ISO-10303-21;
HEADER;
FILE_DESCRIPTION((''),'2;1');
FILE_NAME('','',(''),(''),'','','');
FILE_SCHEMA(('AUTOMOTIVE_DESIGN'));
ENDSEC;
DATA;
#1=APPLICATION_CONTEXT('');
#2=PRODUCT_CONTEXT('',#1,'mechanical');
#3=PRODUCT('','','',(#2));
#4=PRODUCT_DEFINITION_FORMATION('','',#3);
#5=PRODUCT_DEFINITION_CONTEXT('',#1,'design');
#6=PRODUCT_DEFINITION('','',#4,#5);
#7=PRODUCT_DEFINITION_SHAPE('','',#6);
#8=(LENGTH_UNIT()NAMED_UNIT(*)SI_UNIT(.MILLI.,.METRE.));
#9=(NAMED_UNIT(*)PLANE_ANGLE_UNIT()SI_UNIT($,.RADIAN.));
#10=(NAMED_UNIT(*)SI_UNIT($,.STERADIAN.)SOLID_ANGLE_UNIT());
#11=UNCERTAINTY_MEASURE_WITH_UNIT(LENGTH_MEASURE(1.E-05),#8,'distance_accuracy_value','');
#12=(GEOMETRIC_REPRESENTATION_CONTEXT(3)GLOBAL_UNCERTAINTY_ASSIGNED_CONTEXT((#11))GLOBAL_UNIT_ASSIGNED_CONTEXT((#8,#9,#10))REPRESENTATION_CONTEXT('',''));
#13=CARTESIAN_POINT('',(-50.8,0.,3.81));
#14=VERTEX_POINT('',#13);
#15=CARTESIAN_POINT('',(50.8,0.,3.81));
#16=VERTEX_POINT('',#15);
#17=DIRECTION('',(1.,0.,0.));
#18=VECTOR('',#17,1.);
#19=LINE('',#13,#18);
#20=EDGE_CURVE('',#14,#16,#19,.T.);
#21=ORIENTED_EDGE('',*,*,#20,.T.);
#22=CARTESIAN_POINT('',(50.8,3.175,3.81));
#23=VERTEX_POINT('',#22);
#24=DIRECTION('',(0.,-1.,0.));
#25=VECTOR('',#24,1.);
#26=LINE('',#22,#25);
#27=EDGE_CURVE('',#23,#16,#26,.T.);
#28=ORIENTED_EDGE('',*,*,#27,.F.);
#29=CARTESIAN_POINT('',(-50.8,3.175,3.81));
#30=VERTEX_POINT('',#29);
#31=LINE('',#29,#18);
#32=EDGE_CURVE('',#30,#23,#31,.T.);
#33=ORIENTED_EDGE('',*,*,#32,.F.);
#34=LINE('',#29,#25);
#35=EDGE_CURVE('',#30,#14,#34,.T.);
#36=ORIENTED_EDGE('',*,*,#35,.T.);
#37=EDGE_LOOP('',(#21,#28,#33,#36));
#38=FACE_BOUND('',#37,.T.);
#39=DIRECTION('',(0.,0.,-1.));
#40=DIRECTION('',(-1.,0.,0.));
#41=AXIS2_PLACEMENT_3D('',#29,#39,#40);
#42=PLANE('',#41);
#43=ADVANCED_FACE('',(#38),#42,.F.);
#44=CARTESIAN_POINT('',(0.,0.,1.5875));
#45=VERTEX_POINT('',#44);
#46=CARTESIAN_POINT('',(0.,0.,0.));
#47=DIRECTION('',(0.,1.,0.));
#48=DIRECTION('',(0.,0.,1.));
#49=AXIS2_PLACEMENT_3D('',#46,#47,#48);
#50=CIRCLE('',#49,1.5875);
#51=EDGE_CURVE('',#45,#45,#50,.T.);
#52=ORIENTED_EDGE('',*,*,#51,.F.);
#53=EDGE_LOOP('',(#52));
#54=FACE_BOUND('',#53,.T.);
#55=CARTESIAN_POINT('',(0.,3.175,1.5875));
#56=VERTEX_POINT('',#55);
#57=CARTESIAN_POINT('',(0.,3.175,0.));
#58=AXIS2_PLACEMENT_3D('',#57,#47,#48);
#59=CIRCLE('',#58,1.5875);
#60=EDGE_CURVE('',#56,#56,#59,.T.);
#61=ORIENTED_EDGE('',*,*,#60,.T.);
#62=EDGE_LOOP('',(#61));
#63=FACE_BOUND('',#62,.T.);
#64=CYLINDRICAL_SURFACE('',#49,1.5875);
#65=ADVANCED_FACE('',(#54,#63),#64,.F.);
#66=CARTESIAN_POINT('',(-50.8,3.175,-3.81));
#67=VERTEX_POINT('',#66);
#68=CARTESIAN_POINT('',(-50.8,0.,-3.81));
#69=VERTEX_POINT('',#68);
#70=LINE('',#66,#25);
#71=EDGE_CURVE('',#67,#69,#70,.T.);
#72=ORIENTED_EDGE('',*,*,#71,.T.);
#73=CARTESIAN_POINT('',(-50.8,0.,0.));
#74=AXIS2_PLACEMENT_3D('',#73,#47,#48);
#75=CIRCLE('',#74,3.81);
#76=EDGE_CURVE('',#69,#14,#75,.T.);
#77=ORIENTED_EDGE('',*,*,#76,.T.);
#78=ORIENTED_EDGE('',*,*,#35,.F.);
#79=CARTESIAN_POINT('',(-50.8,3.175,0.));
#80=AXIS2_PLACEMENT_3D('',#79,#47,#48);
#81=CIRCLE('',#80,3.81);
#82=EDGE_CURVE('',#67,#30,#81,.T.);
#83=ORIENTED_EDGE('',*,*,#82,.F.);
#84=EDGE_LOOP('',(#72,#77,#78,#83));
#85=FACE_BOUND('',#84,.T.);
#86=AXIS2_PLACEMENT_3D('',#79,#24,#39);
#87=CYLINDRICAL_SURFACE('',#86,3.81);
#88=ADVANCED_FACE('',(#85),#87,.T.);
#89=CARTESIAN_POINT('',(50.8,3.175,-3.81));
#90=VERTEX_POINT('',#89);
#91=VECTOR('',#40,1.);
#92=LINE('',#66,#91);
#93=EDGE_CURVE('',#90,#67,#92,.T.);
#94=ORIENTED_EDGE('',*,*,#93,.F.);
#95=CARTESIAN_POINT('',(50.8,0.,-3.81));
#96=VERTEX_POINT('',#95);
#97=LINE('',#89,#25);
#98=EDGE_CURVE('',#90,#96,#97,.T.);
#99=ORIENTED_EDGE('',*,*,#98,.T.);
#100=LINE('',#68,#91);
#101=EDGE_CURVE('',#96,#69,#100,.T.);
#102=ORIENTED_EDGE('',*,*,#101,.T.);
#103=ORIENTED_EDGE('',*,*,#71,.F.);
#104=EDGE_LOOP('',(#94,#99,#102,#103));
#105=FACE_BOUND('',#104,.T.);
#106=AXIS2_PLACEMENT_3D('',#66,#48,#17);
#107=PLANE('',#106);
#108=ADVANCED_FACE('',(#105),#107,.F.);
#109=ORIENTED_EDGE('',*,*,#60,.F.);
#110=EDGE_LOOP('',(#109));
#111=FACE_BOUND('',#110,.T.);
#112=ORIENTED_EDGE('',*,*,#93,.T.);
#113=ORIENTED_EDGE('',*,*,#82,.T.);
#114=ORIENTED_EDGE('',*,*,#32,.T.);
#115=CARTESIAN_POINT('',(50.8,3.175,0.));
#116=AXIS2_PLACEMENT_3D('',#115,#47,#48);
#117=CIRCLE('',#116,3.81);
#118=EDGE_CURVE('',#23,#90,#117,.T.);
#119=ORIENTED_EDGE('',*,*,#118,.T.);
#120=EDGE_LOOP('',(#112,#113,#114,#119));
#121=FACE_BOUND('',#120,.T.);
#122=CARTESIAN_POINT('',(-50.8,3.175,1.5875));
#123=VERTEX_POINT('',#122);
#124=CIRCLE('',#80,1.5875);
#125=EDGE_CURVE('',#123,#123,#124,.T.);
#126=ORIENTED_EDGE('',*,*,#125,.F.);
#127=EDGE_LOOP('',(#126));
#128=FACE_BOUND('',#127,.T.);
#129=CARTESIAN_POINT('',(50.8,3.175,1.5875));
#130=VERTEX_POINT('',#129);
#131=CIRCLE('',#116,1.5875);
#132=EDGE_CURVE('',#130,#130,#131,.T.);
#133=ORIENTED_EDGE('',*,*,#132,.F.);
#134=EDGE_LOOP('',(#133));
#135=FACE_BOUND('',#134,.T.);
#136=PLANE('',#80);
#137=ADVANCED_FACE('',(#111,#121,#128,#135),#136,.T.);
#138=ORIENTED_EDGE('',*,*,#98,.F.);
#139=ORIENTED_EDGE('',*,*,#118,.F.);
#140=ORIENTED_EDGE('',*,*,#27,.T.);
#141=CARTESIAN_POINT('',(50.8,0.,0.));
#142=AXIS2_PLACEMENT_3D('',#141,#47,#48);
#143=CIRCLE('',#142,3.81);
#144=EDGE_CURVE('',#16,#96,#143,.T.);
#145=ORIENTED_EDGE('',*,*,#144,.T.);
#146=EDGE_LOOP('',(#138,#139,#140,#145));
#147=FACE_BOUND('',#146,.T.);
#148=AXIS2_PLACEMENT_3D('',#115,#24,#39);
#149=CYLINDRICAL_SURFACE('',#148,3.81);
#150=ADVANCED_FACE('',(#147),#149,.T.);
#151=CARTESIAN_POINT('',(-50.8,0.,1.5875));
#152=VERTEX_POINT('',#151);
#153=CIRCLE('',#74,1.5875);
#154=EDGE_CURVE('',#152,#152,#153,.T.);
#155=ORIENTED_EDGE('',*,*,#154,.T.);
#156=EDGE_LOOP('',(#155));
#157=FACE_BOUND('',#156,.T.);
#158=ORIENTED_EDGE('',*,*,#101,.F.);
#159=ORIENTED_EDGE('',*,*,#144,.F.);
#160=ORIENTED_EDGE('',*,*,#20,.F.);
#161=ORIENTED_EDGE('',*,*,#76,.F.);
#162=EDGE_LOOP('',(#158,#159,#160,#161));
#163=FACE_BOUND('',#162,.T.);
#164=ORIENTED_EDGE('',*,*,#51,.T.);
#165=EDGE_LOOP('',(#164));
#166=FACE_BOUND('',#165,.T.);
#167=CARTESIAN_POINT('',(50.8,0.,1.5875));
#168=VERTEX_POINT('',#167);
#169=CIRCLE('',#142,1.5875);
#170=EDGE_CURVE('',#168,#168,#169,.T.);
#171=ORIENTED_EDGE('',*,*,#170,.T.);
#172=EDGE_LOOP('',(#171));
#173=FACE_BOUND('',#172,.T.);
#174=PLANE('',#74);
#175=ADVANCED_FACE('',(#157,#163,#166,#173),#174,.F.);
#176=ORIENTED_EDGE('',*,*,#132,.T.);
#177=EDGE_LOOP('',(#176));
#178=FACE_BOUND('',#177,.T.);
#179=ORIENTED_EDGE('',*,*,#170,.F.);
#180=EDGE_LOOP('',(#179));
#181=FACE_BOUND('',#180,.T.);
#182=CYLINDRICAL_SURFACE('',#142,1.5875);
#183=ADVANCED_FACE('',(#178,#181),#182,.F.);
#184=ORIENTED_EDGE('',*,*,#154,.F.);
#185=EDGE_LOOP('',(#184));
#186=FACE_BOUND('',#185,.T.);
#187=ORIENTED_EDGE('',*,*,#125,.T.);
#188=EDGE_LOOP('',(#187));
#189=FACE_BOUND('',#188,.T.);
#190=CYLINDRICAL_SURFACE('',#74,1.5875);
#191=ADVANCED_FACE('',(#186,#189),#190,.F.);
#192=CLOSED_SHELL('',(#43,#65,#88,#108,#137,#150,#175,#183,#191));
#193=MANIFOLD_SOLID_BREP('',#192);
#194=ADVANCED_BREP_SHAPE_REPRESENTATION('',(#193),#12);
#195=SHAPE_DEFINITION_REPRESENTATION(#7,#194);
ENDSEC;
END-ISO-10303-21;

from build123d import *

# Parameters (mm, degrees)
BOSS_EXTRUDE1_DEPTH = 3.175
SKETCH4_R           = 1.5875
CUT_EXTRUDE1_DEPTH  = 55.834741041


with BuildPart() as part:
    # Sketch3 → Boss-Extrude1 (new body)
    with BuildSketch(Plane(origin=(0, 0, 0), x_dir=(1, 0, 0), z_dir=(0, 1, 0))):
        with BuildLine():
            Line((-50.8, 3.81), (50.8, 3.81))
            ThreePointArc((50.8, 3.81), (54.61, 0), (50.8, -3.81))
            Line((50.8, -3.81), (-50.8, -3.81))
            ThreePointArc((-50.8, -3.81), (-54.61, 0), (-50.8, 3.81))
        make_face()
    extrude(amount=BOSS_EXTRUDE1_DEPTH)

    # Sketch4 → Cut-Extrude1 (cut, through all)
    with BuildSketch(Plane(origin=(0, 3.175, 0), x_dir=(1, 0, 0), z_dir=(0, 1, 0))):
        with Locations(Location((-50.8, 0, 0), (0, 0, 270))):
            Circle(SKETCH4_R)
        with Locations(Location((0, 0, 0), (0, 0, 270))):
            Circle(SKETCH4_R)
        with Locations(Location((50.8, 0, 0), (0, 0, 270))):
            Circle(SKETCH4_R)
    extrude(amount=-CUT_EXTRUDE1_DEPTH, mode=Mode.SUBTRACT)


solid = part.part
